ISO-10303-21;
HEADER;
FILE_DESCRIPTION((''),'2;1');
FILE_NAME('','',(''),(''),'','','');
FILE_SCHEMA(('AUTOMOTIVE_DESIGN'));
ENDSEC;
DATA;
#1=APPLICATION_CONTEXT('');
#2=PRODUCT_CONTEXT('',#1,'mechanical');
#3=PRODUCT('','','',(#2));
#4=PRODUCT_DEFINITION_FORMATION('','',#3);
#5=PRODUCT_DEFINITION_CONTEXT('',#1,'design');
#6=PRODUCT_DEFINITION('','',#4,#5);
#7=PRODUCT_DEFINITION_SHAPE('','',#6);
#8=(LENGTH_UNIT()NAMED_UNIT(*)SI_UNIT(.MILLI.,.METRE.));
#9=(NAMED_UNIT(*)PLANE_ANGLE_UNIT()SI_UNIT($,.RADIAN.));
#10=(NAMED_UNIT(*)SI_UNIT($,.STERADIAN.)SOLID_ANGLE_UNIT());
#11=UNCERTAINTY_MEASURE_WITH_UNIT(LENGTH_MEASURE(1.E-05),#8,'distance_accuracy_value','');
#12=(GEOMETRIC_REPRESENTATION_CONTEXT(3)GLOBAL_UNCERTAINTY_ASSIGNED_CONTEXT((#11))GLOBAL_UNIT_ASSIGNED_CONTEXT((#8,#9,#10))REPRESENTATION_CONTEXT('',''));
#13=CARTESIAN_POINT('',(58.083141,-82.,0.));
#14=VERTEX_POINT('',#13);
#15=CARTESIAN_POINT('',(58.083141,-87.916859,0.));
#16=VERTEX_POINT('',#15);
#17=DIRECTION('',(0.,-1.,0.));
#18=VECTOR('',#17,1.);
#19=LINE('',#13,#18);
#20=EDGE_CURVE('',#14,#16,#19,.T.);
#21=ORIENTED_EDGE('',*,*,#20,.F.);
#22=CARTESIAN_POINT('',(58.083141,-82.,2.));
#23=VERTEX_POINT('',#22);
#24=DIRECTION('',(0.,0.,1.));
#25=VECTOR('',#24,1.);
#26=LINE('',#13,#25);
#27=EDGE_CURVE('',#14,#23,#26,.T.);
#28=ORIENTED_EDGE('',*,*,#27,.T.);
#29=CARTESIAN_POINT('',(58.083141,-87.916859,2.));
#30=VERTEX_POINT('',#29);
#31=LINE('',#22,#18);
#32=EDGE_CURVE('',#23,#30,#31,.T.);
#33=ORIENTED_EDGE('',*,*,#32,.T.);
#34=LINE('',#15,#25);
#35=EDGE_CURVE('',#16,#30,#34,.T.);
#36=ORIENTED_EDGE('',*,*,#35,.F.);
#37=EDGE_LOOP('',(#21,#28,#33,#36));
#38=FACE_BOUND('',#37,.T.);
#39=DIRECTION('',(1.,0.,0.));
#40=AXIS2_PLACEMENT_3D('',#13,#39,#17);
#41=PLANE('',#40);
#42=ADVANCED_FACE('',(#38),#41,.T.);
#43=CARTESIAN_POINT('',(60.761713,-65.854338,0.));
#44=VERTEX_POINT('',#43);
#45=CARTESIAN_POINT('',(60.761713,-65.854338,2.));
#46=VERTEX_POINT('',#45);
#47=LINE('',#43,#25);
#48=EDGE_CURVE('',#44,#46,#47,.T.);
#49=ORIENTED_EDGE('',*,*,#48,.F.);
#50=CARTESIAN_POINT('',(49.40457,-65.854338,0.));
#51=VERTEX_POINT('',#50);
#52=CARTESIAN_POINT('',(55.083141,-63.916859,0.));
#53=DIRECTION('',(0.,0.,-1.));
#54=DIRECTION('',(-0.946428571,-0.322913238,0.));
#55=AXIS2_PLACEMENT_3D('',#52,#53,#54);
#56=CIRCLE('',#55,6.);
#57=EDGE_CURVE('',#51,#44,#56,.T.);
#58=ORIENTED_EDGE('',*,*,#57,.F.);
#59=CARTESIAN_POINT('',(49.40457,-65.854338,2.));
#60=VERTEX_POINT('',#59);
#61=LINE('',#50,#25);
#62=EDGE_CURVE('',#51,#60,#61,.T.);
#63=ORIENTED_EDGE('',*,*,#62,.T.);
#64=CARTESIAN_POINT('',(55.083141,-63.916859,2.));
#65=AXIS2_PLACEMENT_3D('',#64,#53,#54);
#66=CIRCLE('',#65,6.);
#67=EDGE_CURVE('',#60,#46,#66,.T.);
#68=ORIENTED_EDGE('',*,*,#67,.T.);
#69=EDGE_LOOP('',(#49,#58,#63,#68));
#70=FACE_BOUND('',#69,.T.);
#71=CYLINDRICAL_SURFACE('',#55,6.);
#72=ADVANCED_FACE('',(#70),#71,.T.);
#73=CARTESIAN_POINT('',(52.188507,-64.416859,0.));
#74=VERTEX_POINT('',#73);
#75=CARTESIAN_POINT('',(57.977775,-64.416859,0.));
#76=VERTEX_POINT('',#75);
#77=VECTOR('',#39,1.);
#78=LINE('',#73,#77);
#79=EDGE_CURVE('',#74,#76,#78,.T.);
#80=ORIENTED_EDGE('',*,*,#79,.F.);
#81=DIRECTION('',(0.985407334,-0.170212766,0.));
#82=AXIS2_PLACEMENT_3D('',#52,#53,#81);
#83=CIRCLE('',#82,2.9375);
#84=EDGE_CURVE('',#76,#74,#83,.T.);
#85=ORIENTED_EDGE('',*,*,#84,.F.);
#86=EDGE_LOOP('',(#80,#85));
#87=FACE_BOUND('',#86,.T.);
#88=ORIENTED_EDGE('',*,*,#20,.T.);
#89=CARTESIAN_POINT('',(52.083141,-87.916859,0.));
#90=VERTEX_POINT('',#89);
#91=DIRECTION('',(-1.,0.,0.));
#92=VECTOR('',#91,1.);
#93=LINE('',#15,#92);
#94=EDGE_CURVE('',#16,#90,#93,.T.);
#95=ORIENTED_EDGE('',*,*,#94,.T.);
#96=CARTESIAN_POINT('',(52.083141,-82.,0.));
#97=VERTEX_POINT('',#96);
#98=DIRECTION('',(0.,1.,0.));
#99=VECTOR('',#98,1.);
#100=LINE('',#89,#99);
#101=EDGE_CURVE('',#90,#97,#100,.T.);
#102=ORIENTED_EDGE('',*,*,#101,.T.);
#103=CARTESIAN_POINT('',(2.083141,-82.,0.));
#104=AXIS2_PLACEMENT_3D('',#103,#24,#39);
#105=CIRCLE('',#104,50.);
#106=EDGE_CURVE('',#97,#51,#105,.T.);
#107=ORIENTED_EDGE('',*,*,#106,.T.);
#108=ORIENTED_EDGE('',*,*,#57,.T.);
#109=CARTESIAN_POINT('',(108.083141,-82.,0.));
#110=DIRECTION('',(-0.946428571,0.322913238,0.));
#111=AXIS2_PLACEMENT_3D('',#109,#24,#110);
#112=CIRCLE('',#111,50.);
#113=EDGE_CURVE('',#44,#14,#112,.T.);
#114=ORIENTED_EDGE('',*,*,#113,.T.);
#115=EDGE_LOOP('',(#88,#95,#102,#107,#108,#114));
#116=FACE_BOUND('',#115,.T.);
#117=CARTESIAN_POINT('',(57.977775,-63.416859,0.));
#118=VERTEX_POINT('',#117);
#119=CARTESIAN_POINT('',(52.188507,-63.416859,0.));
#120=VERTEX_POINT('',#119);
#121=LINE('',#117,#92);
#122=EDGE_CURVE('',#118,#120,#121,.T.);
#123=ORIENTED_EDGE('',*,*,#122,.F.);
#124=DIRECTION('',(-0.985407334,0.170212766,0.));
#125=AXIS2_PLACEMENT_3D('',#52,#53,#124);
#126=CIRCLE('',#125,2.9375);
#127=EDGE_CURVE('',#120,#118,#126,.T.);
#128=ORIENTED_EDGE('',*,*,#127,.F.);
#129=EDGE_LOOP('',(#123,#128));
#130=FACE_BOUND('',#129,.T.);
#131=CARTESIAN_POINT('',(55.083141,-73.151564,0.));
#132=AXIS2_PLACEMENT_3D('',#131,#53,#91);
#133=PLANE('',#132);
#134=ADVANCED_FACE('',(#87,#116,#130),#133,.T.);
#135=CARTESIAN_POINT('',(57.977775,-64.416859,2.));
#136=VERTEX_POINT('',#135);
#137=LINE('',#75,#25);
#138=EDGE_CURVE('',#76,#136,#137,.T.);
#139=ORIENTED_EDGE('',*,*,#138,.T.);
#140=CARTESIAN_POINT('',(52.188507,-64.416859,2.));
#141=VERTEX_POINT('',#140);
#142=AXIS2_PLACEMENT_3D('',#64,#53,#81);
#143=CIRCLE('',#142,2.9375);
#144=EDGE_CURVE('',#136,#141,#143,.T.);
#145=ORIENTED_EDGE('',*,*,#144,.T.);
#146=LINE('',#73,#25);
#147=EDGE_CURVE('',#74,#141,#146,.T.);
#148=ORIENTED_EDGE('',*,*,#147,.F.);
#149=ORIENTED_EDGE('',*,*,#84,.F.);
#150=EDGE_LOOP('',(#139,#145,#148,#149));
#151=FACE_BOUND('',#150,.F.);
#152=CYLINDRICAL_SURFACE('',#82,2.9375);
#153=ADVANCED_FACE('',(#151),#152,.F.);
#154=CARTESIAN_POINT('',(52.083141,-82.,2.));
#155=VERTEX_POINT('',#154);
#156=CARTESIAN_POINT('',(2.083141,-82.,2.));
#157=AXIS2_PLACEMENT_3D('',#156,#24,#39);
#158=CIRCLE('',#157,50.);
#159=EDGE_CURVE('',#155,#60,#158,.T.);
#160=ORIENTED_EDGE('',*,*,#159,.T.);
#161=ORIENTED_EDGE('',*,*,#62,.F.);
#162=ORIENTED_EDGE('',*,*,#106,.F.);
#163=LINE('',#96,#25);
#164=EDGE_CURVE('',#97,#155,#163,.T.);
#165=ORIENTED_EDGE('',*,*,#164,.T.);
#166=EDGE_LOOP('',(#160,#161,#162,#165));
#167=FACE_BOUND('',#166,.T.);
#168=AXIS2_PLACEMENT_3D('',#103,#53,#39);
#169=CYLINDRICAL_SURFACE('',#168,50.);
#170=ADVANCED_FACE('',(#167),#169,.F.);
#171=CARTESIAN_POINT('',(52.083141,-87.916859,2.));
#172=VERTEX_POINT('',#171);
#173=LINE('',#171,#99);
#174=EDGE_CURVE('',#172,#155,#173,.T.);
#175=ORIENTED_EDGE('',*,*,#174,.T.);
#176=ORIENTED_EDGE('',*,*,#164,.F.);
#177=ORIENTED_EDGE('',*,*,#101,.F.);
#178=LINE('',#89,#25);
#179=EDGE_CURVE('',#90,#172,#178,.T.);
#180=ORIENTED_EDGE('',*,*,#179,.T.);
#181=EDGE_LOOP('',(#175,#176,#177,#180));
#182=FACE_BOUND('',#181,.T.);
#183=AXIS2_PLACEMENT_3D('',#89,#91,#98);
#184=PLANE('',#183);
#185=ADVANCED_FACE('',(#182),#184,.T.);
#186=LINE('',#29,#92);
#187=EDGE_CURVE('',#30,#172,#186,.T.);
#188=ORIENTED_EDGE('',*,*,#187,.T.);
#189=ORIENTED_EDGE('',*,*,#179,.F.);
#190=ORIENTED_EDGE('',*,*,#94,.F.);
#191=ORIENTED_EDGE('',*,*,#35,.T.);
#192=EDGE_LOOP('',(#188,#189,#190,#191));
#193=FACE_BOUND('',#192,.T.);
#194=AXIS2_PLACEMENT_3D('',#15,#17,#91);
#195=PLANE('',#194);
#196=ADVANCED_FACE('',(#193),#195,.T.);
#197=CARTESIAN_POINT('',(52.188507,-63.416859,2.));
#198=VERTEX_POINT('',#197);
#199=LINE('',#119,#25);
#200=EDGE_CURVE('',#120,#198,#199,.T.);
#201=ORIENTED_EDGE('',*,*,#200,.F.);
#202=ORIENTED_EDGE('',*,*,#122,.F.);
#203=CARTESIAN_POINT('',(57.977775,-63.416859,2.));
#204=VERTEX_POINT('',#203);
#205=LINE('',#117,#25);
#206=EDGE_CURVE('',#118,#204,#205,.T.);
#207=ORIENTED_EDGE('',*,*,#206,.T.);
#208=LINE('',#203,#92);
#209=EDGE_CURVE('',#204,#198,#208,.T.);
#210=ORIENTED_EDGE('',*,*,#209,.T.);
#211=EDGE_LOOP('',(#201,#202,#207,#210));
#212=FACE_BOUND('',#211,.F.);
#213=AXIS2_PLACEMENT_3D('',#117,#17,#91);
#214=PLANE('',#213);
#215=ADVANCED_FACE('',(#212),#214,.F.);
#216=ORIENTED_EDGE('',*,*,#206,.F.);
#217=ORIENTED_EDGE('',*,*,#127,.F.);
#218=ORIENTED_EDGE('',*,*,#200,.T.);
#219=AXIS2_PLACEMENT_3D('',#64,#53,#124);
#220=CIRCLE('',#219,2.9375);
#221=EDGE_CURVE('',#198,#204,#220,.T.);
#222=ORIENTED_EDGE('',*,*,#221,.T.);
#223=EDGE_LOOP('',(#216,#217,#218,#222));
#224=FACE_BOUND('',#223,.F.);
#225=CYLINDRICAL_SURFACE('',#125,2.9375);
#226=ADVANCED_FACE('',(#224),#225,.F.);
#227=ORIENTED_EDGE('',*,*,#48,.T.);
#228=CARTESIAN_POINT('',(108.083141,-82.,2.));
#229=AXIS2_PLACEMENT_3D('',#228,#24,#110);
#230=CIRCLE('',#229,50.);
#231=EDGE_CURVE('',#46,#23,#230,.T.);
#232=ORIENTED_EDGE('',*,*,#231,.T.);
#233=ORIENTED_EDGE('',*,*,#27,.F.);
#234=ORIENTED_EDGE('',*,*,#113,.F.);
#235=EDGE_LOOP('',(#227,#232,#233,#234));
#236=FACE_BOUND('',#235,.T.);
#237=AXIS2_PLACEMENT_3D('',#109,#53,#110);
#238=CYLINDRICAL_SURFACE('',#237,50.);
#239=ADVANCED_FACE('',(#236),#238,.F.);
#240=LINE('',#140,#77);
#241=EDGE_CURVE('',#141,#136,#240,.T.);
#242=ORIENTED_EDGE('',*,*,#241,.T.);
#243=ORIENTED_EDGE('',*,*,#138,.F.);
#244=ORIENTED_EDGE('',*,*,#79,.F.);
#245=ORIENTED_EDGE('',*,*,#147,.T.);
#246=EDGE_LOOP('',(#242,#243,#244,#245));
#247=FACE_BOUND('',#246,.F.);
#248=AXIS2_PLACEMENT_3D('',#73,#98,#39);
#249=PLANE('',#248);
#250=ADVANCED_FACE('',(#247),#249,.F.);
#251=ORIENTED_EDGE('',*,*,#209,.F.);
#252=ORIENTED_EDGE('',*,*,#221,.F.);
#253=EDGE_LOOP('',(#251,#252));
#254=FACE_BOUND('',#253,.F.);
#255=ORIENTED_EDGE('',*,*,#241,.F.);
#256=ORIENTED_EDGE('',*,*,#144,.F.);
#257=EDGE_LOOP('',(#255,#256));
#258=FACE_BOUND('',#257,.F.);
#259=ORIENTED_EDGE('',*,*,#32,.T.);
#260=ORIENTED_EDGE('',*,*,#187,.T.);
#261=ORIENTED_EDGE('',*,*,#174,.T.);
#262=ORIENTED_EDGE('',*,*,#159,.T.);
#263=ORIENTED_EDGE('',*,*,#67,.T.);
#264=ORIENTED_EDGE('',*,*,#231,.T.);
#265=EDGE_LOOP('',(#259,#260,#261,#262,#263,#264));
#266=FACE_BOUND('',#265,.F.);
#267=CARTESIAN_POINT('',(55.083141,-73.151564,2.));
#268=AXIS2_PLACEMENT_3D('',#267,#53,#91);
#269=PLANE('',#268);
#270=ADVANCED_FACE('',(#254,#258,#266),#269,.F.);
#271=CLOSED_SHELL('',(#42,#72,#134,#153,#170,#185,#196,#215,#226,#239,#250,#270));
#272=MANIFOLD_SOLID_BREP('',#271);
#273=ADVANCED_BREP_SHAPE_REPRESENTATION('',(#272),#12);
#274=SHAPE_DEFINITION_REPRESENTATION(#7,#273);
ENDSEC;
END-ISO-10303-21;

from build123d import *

# Parameters (mm, degrees)
BOSS_EXTRUDE1_DEPTH = 2


with BuildPart() as part:
    # Model → Boss-Extrude1 (new body)
    with BuildSketch(Plane.XY):
        with BuildLine():
            Line((58.08314132, -82), (58.08314132, -87.91685868))
            Line((58.08314132, -87.91685868), (52.08314132, -87.91685868))
            Line((52.08314132, -87.91685868), (52.08314132, -82))
            ThreePointArc((52.08314132, -82), (51.408953166, -73.816829116), (49.404569891, -65.854338107))
            ThreePointArc((49.404569891, -65.854338107), (55.08314132, -57.91685868), (60.761712749, -65.854338107))
            ThreePointArc((60.761712749, -65.854338107), (58.757329474, -73.816829116), (58.08314132, -82))
        make_face()
        with BuildLine():
            Line((52.188507276, -64.41685868), (57.977775364, -64.41685868))
            ThreePointArc((57.977775364, -64.41685868), (55.08314132, -66.85435868), (52.188507276, -64.41685868))
        make_face(mode=Mode.SUBTRACT)
        with BuildLine():
            Line((57.977775364, -63.41685868), (52.188507276, -63.41685868))
            ThreePointArc((52.188507276, -63.41685868), (55.08314132, -60.97935868), (57.977775364, -63.41685868))
        make_face(mode=Mode.SUBTRACT)
    extrude(amount=BOSS_EXTRUDE1_DEPTH)


solid = part.part
